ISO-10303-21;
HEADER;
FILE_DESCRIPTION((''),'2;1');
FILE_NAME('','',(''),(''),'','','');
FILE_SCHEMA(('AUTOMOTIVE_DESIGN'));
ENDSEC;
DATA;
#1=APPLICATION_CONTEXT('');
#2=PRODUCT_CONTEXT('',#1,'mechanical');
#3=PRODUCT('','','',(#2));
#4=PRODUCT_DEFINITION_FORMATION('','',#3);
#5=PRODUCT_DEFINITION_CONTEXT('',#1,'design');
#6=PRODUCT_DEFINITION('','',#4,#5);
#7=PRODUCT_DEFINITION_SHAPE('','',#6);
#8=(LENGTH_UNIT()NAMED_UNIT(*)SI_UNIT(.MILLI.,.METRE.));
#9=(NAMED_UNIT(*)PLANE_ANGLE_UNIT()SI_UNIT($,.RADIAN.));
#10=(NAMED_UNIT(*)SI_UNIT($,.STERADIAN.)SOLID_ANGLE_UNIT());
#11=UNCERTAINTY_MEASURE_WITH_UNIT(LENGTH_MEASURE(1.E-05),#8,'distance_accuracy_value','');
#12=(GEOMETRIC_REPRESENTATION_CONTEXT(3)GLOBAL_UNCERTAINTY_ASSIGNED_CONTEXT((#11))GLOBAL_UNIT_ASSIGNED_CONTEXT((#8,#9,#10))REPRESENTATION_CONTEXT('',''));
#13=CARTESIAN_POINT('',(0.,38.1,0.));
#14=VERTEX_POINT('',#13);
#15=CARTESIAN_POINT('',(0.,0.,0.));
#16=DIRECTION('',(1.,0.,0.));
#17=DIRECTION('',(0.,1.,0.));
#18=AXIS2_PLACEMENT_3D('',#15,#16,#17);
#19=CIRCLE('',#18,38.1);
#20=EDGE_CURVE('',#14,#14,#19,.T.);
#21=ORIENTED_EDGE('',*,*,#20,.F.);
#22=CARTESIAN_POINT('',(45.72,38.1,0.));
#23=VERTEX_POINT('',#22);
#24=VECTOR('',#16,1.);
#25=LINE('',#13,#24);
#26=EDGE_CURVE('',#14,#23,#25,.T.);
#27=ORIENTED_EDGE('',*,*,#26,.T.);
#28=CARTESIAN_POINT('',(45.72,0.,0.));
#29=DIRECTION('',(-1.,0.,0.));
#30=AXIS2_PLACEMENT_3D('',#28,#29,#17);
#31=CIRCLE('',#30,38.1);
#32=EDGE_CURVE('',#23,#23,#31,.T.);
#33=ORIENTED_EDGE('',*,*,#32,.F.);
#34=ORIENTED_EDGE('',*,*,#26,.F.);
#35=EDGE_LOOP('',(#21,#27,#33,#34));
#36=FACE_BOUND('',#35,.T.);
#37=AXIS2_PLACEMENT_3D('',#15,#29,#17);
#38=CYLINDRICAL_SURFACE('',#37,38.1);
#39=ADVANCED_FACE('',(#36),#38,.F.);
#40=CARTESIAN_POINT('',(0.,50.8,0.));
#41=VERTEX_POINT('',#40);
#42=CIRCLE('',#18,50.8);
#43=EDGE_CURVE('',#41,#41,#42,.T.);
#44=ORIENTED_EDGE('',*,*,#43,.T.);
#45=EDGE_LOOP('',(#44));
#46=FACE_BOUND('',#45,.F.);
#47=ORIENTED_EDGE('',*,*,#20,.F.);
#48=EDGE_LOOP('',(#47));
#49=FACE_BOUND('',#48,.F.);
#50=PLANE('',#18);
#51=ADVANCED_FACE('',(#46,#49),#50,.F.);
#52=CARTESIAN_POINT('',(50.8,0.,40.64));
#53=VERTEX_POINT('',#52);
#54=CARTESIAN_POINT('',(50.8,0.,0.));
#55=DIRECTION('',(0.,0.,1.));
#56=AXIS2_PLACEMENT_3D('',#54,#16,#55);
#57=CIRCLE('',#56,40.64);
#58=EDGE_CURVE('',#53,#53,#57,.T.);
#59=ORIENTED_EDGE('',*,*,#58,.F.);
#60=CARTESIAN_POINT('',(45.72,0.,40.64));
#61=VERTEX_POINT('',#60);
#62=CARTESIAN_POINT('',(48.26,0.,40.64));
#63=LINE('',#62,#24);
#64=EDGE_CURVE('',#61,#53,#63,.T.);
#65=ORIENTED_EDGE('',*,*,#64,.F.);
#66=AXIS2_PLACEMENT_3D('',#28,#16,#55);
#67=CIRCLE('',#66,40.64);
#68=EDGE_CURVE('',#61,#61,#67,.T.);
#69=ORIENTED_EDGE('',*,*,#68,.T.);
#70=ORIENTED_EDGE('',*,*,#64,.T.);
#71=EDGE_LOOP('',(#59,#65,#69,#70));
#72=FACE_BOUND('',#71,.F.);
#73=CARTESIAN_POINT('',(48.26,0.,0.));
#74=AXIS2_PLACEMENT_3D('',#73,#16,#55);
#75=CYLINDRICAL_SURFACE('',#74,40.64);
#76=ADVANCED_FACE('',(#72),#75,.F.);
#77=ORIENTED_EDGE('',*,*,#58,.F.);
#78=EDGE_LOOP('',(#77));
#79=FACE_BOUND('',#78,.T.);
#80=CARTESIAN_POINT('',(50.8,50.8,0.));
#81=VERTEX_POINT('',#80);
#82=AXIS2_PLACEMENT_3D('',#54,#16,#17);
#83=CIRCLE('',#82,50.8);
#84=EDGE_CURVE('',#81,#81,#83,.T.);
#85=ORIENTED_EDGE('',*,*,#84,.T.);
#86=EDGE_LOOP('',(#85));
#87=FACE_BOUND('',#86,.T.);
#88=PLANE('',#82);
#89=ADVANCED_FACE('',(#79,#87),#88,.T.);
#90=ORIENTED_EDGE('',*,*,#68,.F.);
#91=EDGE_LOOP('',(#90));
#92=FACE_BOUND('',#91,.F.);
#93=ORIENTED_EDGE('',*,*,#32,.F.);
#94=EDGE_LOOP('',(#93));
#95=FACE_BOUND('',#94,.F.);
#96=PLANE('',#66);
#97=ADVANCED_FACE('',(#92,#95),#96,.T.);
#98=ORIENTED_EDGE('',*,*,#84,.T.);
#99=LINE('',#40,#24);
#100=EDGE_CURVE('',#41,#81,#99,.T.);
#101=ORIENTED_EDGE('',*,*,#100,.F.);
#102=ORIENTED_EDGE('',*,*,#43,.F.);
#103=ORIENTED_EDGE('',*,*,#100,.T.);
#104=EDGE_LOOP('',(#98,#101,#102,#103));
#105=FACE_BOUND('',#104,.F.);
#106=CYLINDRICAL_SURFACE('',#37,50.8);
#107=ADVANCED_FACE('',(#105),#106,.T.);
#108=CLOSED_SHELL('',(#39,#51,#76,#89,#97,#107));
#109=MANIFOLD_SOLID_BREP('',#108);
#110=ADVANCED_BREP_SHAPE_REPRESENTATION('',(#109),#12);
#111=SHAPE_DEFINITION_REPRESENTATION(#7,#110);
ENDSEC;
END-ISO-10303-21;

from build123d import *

# Parameters (mm, degrees)
F0_R     = 50.8
F0_R_2   = 38.1
F1_DEPTH = 50.8
F2_W     = 5.08
F2_H     = 5.08


with BuildPart() as f1:
    # F0 (on Right) → F1 (new body)
    with BuildSketch(Plane.YZ):
        Circle(F0_R)
        Circle(F0_R_2, mode=Mode.SUBTRACT)
    extrude(amount=F1_DEPTH)

    # F2 (on Front) → F3 (revolve, cut)
    with BuildSketch(Plane.XZ):
        with Locations((48.26, 38.1)):
            Rectangle(F2_W, F2_H)
    revolve(axis=Axis((50.8, 0, 0), (1, 0, 0)), mode=Mode.SUBTRACT)


solid = f1.part
